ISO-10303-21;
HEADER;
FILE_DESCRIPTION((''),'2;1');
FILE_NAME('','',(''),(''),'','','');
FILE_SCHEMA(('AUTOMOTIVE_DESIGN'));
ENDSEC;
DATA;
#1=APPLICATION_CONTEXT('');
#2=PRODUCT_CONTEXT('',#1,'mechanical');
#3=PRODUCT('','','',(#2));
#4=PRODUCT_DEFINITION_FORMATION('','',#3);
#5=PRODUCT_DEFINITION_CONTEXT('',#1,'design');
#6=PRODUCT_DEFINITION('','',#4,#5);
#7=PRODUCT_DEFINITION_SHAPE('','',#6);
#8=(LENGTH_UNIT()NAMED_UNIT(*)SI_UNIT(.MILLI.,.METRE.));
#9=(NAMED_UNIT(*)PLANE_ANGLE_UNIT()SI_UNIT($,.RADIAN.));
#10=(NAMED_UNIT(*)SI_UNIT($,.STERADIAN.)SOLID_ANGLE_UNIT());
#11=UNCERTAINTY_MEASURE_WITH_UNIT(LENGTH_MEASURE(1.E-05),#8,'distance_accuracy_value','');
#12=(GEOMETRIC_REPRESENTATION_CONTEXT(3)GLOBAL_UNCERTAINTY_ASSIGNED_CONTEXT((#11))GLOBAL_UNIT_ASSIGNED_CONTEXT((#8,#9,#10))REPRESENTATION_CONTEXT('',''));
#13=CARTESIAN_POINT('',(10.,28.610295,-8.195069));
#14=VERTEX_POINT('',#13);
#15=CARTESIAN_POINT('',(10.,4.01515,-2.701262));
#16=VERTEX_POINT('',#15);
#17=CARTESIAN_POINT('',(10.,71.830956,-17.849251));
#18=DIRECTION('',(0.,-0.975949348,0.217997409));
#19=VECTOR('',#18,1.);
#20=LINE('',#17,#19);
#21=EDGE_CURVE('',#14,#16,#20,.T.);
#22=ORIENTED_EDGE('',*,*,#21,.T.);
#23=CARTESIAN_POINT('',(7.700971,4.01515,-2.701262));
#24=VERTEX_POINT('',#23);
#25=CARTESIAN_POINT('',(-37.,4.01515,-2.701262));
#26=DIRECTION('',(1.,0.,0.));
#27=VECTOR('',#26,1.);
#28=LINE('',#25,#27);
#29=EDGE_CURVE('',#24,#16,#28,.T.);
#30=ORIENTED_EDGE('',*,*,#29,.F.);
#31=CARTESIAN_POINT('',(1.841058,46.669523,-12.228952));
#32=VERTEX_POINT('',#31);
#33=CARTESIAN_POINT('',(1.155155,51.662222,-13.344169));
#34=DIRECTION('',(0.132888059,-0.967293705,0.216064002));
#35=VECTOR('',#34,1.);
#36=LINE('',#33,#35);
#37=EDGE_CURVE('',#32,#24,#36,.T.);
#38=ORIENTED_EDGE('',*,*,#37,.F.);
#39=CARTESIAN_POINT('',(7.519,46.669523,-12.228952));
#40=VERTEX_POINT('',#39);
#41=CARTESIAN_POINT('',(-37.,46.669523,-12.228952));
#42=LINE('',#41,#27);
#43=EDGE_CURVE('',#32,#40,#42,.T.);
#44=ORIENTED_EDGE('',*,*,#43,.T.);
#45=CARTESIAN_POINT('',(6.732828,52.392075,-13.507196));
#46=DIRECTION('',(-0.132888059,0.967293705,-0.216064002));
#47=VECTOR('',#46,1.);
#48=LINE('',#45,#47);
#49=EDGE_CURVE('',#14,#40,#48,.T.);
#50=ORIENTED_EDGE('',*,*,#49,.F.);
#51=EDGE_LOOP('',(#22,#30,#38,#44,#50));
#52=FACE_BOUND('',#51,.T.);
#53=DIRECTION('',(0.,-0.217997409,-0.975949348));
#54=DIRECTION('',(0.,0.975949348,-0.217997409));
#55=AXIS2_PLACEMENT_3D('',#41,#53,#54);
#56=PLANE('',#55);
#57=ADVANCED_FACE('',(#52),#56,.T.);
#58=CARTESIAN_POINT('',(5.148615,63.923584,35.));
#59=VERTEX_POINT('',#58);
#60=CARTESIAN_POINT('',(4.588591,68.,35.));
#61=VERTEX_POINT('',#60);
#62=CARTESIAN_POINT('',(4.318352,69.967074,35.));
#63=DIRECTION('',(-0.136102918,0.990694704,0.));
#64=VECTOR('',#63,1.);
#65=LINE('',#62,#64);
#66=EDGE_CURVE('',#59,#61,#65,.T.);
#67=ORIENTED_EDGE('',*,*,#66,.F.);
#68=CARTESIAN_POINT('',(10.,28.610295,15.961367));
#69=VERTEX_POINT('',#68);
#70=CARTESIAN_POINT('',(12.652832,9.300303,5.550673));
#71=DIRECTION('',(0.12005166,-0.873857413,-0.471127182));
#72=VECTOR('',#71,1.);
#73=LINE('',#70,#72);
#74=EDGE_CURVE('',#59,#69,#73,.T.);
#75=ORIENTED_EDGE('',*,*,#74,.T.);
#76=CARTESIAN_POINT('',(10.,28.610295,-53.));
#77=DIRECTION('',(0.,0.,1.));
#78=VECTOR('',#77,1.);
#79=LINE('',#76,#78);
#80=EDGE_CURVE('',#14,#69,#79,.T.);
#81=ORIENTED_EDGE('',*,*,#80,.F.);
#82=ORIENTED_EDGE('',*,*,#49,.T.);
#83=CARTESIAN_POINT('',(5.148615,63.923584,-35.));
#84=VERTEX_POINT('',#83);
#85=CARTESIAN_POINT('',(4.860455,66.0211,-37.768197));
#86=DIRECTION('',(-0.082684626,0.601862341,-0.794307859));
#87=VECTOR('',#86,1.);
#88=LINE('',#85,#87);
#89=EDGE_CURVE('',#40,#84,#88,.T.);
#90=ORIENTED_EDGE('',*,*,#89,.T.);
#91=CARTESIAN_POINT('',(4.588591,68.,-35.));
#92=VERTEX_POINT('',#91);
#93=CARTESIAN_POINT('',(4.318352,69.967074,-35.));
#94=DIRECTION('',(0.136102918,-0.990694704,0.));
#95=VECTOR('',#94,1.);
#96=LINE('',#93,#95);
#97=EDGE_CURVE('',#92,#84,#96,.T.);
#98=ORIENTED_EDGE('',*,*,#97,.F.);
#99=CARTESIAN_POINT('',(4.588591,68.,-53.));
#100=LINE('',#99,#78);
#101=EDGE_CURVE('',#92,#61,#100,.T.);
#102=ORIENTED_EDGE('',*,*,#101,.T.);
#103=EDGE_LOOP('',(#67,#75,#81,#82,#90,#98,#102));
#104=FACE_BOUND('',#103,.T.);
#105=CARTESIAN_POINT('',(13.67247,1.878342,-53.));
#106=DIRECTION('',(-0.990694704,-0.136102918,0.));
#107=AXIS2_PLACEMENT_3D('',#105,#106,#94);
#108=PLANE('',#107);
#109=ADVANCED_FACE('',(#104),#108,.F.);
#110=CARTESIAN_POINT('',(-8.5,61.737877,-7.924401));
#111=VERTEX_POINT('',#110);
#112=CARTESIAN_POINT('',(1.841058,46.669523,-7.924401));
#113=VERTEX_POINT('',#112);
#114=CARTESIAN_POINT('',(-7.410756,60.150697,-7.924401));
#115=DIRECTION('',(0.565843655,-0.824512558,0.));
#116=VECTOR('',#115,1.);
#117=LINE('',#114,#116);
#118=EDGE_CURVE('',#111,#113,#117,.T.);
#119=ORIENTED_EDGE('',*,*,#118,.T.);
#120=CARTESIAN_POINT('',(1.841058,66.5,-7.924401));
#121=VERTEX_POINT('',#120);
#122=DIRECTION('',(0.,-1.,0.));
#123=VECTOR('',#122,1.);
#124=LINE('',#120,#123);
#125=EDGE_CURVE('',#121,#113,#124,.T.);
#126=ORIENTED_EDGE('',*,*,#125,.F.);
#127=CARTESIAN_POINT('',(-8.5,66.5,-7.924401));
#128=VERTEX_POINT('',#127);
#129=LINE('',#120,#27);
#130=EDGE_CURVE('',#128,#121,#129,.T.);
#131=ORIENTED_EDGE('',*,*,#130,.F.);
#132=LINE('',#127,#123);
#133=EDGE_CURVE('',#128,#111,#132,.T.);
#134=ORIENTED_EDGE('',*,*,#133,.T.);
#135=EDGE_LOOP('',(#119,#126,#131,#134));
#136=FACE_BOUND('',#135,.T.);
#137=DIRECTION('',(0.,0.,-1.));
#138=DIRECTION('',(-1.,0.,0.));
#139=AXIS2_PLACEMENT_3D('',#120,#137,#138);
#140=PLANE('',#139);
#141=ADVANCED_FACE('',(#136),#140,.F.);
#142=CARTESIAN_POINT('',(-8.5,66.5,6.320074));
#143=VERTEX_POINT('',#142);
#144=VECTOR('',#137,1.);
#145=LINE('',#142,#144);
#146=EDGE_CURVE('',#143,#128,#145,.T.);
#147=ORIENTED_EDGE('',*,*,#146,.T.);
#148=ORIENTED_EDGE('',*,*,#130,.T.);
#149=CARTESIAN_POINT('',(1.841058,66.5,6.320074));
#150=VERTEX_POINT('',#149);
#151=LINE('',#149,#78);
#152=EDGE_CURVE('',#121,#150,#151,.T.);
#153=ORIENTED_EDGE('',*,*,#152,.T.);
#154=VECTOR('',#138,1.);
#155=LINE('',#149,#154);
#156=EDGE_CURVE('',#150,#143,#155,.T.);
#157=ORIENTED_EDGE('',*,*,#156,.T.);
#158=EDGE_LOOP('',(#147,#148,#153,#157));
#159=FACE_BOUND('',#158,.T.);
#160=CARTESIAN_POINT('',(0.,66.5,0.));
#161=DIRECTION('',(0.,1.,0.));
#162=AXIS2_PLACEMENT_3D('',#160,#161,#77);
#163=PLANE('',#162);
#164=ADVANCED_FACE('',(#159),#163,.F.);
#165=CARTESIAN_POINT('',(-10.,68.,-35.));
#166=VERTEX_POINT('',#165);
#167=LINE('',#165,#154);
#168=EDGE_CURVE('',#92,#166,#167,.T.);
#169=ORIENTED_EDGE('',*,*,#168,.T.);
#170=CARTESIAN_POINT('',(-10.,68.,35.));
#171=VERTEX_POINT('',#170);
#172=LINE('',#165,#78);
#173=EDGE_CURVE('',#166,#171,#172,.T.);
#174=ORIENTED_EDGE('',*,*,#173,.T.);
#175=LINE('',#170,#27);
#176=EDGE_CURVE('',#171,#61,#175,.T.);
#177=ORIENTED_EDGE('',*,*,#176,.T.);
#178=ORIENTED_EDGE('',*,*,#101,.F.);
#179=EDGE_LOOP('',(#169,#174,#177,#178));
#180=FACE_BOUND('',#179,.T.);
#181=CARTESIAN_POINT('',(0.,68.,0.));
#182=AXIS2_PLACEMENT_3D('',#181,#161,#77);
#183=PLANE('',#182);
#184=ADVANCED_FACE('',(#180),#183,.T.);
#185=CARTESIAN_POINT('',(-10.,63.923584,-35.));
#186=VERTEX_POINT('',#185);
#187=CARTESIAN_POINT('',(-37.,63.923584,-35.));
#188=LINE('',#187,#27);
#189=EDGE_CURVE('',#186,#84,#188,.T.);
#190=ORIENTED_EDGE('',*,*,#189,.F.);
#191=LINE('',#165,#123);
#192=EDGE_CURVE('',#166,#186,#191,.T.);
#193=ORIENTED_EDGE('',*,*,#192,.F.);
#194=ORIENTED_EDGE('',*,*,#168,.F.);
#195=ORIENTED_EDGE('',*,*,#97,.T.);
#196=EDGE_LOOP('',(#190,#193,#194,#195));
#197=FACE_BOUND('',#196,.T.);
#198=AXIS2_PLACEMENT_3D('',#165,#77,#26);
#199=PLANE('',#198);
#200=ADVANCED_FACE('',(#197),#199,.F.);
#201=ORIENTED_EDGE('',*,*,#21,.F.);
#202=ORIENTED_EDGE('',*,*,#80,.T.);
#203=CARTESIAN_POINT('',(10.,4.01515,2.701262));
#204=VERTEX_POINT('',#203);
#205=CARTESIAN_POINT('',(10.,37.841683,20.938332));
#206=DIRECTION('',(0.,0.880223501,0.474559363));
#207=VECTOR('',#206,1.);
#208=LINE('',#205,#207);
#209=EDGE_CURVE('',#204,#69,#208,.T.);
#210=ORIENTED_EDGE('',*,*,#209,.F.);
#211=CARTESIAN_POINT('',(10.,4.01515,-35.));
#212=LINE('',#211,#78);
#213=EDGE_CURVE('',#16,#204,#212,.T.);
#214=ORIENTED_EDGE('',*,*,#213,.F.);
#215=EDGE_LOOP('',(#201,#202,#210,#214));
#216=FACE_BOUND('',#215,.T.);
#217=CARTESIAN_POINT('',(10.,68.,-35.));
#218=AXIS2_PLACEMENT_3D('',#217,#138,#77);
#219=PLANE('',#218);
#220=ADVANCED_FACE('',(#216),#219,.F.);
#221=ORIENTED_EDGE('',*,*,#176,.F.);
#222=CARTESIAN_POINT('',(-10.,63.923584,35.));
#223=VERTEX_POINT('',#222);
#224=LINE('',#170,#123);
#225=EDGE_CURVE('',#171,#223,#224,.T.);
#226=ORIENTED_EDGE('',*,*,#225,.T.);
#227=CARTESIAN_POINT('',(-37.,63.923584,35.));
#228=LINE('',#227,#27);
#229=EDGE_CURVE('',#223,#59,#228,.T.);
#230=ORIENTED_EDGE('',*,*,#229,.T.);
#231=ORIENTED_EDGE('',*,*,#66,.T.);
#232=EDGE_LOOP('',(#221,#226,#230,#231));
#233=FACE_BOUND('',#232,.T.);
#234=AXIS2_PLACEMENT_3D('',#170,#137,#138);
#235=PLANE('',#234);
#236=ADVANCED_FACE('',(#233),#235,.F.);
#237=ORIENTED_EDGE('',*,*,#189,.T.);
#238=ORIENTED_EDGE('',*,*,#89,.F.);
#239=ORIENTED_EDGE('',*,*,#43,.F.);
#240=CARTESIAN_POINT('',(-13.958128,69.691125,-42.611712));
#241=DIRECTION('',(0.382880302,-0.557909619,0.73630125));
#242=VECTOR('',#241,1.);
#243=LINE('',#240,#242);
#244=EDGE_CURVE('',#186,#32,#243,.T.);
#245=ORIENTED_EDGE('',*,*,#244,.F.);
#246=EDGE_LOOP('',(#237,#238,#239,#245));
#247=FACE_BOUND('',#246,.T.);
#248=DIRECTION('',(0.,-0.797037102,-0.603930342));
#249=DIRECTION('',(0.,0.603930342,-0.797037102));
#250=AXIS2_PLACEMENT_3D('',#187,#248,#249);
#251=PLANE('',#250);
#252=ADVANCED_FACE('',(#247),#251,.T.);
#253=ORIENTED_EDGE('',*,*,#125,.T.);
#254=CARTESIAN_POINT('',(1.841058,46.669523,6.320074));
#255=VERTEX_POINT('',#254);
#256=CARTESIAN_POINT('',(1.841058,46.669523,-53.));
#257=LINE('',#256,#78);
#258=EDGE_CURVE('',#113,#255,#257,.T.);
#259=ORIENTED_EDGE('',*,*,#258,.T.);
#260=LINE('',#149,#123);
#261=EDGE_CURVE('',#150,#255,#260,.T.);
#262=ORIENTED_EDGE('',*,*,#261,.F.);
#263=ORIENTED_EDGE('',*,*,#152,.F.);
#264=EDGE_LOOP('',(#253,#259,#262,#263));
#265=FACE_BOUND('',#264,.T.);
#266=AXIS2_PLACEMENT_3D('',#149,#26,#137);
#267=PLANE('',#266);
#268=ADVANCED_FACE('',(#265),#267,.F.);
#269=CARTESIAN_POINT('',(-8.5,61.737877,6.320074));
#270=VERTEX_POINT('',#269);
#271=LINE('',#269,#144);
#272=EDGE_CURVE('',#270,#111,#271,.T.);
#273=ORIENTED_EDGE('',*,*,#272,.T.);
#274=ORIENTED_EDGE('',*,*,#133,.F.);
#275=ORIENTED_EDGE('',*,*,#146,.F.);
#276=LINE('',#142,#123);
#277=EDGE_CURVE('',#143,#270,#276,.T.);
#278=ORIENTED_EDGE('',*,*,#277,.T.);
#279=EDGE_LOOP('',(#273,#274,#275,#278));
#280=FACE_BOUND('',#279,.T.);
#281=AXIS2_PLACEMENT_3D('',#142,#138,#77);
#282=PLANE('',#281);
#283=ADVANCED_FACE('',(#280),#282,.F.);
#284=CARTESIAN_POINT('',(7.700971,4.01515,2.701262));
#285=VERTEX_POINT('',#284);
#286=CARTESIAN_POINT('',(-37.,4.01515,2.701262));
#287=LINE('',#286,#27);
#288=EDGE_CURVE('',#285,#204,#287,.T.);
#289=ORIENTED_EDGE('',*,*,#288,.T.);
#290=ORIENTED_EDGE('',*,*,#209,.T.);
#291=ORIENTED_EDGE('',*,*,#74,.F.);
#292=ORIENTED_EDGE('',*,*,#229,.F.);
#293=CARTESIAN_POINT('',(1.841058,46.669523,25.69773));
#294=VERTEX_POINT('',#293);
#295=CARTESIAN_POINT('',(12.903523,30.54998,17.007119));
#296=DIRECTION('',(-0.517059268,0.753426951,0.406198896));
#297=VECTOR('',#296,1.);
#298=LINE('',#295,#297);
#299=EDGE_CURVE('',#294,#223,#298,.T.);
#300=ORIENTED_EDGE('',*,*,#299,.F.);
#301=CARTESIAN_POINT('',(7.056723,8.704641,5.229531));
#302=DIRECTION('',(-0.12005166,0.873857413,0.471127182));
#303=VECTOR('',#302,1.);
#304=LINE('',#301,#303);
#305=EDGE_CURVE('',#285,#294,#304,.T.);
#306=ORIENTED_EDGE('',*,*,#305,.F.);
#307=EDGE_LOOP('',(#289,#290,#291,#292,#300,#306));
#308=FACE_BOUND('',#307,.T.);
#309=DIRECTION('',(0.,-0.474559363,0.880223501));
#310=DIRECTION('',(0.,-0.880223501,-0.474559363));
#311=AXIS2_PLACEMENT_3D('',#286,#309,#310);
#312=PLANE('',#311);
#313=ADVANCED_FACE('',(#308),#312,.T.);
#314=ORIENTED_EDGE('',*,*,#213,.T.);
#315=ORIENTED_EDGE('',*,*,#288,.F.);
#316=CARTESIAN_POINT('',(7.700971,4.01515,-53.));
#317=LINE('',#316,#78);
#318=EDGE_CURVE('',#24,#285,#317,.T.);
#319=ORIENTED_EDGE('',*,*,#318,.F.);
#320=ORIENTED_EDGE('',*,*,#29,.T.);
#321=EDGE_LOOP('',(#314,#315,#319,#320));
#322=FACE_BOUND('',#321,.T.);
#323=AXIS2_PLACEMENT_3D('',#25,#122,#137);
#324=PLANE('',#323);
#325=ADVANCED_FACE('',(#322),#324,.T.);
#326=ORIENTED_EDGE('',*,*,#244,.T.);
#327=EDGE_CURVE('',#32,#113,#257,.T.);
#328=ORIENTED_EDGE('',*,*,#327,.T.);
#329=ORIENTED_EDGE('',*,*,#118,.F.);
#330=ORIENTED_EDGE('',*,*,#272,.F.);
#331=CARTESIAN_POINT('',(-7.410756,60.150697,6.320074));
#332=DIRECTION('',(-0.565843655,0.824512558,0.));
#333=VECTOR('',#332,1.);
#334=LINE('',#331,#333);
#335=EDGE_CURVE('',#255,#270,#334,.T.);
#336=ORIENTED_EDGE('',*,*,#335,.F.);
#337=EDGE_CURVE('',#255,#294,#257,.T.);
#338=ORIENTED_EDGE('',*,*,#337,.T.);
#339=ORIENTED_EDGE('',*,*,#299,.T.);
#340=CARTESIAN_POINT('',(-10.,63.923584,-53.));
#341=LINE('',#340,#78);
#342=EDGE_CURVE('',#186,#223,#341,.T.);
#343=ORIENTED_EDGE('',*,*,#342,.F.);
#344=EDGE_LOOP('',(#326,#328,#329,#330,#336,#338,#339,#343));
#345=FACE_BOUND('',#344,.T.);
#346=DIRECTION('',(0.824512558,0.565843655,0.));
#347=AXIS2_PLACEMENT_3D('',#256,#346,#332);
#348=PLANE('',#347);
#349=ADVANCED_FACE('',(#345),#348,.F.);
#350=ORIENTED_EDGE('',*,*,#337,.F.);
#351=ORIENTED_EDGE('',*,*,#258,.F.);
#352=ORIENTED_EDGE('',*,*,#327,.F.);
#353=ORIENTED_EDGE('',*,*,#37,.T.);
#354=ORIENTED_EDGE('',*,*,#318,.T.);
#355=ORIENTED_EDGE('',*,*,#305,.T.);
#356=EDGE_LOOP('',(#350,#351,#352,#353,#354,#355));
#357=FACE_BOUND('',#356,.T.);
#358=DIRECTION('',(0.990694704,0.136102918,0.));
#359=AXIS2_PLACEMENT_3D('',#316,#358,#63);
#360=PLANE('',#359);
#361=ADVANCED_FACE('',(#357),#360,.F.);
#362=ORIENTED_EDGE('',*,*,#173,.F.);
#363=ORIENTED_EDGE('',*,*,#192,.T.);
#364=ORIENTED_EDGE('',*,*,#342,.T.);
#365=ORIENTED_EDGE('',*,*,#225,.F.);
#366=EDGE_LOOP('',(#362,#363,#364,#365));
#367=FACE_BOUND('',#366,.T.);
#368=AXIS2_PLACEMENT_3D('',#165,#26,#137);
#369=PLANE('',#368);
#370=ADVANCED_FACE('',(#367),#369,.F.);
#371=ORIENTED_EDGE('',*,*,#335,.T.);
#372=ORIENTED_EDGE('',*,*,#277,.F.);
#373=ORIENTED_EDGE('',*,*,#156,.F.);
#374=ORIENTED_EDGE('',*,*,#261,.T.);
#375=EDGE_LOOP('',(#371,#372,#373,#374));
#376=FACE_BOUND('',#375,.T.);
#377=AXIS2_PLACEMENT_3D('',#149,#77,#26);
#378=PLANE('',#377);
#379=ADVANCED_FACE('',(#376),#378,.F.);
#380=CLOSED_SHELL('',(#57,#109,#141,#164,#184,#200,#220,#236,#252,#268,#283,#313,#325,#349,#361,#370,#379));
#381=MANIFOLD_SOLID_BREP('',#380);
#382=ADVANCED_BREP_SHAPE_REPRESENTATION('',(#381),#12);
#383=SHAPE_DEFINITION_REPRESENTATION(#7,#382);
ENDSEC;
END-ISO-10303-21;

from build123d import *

# Parameters (mm, degrees)
SKETCH_1_W               = 20
SKETCH_1_H               = 70
EXTRUDE_1_DEPTH          = 68
SKETCH_2_W               = 10.341057985
SKETCH_2_H               = 14.244474777
CUT_EXTRUDE_1_DEPTH      = 66.5
CUT_EXTRUDE_2_DEPTH      = 27
CUT_EXTRUDE_2_DEPTH_BACK = 28.5
CUT_EXTRUDE_3_DEPTH      = 18
CUT_EXTRUDE_3_DEPTH_BACK = 80.5


with BuildPart() as part:
    # 草图1 → 凸台-拉伸1 (new body)
    with BuildSketch(Plane(origin=(0, 0, 0), x_dir=(1, 0, 0), z_dir=(0, 1, 0))):
        Rectangle(SKETCH_1_W, SKETCH_1_H)
    extrude(amount=EXTRUDE_1_DEPTH)

    # 草图2 → 切除-拉伸1 (cut)
    with BuildSketch(Plane.XZ):
        with Locations((-3.329471008, -0.802163256)):
            Rectangle(SKETCH_2_W, SKETCH_2_H)
    extrude(amount=-CUT_EXTRUDE_1_DEPTH, mode=Mode.SUBTRACT)

    # 草图3 → 切除-拉伸2 (cut, two sides)
    with BuildSketch(Plane.ZY.offset(10)) as cut_extrude_2_sk:
        Polygon((-35, 68), (-35, 63.923584322), (-12.228951857, 46.66952319), (-2.701261913, 4.015150281), (2.701261913, 4.015150281), (35, 63.923584322), (35, 68), (43.781903243, 68), (43.781903243, -5.043476458), (-39.089851198, -5.043476458), (-39.089851198, 68), align=None)
    extrude(amount=CUT_EXTRUDE_2_DEPTH, mode=Mode.SUBTRACT)
    extrude(cut_extrude_2_sk.sketch, amount=-CUT_EXTRUDE_2_DEPTH_BACK, mode=Mode.SUBTRACT)

    # 草图4 → 切除-拉伸3 (cut, two sides)
    with BuildSketch(Plane(origin=(0, 0, -35), x_dir=(-1, 0, 0), z_dir=(0, 0, -1))) as cut_extrude_3_sk:
        Polygon((-10, 28.610295414), (-5.14861474, 63.923584322), (-10, 63.923584322), align=None)
        Polygon((-5.14861474, 63.923584322), (-4.588591487, 68), (-10, 68), (-10, 63.923584322), align=None)
        Polygon((-7.700970851, -1.077719905), (-7.700970851, 4.015150281), (-1.841057985, 46.66952319), (10, 63.923584322), (16.463180064, 63.923584322), (16.463180064, -1.077719905), align=None)
    extrude(amount=CUT_EXTRUDE_3_DEPTH, mode=Mode.SUBTRACT)
    extrude(cut_extrude_3_sk.sketch, amount=-CUT_EXTRUDE_3_DEPTH_BACK, mode=Mode.SUBTRACT)


solid = part.part
